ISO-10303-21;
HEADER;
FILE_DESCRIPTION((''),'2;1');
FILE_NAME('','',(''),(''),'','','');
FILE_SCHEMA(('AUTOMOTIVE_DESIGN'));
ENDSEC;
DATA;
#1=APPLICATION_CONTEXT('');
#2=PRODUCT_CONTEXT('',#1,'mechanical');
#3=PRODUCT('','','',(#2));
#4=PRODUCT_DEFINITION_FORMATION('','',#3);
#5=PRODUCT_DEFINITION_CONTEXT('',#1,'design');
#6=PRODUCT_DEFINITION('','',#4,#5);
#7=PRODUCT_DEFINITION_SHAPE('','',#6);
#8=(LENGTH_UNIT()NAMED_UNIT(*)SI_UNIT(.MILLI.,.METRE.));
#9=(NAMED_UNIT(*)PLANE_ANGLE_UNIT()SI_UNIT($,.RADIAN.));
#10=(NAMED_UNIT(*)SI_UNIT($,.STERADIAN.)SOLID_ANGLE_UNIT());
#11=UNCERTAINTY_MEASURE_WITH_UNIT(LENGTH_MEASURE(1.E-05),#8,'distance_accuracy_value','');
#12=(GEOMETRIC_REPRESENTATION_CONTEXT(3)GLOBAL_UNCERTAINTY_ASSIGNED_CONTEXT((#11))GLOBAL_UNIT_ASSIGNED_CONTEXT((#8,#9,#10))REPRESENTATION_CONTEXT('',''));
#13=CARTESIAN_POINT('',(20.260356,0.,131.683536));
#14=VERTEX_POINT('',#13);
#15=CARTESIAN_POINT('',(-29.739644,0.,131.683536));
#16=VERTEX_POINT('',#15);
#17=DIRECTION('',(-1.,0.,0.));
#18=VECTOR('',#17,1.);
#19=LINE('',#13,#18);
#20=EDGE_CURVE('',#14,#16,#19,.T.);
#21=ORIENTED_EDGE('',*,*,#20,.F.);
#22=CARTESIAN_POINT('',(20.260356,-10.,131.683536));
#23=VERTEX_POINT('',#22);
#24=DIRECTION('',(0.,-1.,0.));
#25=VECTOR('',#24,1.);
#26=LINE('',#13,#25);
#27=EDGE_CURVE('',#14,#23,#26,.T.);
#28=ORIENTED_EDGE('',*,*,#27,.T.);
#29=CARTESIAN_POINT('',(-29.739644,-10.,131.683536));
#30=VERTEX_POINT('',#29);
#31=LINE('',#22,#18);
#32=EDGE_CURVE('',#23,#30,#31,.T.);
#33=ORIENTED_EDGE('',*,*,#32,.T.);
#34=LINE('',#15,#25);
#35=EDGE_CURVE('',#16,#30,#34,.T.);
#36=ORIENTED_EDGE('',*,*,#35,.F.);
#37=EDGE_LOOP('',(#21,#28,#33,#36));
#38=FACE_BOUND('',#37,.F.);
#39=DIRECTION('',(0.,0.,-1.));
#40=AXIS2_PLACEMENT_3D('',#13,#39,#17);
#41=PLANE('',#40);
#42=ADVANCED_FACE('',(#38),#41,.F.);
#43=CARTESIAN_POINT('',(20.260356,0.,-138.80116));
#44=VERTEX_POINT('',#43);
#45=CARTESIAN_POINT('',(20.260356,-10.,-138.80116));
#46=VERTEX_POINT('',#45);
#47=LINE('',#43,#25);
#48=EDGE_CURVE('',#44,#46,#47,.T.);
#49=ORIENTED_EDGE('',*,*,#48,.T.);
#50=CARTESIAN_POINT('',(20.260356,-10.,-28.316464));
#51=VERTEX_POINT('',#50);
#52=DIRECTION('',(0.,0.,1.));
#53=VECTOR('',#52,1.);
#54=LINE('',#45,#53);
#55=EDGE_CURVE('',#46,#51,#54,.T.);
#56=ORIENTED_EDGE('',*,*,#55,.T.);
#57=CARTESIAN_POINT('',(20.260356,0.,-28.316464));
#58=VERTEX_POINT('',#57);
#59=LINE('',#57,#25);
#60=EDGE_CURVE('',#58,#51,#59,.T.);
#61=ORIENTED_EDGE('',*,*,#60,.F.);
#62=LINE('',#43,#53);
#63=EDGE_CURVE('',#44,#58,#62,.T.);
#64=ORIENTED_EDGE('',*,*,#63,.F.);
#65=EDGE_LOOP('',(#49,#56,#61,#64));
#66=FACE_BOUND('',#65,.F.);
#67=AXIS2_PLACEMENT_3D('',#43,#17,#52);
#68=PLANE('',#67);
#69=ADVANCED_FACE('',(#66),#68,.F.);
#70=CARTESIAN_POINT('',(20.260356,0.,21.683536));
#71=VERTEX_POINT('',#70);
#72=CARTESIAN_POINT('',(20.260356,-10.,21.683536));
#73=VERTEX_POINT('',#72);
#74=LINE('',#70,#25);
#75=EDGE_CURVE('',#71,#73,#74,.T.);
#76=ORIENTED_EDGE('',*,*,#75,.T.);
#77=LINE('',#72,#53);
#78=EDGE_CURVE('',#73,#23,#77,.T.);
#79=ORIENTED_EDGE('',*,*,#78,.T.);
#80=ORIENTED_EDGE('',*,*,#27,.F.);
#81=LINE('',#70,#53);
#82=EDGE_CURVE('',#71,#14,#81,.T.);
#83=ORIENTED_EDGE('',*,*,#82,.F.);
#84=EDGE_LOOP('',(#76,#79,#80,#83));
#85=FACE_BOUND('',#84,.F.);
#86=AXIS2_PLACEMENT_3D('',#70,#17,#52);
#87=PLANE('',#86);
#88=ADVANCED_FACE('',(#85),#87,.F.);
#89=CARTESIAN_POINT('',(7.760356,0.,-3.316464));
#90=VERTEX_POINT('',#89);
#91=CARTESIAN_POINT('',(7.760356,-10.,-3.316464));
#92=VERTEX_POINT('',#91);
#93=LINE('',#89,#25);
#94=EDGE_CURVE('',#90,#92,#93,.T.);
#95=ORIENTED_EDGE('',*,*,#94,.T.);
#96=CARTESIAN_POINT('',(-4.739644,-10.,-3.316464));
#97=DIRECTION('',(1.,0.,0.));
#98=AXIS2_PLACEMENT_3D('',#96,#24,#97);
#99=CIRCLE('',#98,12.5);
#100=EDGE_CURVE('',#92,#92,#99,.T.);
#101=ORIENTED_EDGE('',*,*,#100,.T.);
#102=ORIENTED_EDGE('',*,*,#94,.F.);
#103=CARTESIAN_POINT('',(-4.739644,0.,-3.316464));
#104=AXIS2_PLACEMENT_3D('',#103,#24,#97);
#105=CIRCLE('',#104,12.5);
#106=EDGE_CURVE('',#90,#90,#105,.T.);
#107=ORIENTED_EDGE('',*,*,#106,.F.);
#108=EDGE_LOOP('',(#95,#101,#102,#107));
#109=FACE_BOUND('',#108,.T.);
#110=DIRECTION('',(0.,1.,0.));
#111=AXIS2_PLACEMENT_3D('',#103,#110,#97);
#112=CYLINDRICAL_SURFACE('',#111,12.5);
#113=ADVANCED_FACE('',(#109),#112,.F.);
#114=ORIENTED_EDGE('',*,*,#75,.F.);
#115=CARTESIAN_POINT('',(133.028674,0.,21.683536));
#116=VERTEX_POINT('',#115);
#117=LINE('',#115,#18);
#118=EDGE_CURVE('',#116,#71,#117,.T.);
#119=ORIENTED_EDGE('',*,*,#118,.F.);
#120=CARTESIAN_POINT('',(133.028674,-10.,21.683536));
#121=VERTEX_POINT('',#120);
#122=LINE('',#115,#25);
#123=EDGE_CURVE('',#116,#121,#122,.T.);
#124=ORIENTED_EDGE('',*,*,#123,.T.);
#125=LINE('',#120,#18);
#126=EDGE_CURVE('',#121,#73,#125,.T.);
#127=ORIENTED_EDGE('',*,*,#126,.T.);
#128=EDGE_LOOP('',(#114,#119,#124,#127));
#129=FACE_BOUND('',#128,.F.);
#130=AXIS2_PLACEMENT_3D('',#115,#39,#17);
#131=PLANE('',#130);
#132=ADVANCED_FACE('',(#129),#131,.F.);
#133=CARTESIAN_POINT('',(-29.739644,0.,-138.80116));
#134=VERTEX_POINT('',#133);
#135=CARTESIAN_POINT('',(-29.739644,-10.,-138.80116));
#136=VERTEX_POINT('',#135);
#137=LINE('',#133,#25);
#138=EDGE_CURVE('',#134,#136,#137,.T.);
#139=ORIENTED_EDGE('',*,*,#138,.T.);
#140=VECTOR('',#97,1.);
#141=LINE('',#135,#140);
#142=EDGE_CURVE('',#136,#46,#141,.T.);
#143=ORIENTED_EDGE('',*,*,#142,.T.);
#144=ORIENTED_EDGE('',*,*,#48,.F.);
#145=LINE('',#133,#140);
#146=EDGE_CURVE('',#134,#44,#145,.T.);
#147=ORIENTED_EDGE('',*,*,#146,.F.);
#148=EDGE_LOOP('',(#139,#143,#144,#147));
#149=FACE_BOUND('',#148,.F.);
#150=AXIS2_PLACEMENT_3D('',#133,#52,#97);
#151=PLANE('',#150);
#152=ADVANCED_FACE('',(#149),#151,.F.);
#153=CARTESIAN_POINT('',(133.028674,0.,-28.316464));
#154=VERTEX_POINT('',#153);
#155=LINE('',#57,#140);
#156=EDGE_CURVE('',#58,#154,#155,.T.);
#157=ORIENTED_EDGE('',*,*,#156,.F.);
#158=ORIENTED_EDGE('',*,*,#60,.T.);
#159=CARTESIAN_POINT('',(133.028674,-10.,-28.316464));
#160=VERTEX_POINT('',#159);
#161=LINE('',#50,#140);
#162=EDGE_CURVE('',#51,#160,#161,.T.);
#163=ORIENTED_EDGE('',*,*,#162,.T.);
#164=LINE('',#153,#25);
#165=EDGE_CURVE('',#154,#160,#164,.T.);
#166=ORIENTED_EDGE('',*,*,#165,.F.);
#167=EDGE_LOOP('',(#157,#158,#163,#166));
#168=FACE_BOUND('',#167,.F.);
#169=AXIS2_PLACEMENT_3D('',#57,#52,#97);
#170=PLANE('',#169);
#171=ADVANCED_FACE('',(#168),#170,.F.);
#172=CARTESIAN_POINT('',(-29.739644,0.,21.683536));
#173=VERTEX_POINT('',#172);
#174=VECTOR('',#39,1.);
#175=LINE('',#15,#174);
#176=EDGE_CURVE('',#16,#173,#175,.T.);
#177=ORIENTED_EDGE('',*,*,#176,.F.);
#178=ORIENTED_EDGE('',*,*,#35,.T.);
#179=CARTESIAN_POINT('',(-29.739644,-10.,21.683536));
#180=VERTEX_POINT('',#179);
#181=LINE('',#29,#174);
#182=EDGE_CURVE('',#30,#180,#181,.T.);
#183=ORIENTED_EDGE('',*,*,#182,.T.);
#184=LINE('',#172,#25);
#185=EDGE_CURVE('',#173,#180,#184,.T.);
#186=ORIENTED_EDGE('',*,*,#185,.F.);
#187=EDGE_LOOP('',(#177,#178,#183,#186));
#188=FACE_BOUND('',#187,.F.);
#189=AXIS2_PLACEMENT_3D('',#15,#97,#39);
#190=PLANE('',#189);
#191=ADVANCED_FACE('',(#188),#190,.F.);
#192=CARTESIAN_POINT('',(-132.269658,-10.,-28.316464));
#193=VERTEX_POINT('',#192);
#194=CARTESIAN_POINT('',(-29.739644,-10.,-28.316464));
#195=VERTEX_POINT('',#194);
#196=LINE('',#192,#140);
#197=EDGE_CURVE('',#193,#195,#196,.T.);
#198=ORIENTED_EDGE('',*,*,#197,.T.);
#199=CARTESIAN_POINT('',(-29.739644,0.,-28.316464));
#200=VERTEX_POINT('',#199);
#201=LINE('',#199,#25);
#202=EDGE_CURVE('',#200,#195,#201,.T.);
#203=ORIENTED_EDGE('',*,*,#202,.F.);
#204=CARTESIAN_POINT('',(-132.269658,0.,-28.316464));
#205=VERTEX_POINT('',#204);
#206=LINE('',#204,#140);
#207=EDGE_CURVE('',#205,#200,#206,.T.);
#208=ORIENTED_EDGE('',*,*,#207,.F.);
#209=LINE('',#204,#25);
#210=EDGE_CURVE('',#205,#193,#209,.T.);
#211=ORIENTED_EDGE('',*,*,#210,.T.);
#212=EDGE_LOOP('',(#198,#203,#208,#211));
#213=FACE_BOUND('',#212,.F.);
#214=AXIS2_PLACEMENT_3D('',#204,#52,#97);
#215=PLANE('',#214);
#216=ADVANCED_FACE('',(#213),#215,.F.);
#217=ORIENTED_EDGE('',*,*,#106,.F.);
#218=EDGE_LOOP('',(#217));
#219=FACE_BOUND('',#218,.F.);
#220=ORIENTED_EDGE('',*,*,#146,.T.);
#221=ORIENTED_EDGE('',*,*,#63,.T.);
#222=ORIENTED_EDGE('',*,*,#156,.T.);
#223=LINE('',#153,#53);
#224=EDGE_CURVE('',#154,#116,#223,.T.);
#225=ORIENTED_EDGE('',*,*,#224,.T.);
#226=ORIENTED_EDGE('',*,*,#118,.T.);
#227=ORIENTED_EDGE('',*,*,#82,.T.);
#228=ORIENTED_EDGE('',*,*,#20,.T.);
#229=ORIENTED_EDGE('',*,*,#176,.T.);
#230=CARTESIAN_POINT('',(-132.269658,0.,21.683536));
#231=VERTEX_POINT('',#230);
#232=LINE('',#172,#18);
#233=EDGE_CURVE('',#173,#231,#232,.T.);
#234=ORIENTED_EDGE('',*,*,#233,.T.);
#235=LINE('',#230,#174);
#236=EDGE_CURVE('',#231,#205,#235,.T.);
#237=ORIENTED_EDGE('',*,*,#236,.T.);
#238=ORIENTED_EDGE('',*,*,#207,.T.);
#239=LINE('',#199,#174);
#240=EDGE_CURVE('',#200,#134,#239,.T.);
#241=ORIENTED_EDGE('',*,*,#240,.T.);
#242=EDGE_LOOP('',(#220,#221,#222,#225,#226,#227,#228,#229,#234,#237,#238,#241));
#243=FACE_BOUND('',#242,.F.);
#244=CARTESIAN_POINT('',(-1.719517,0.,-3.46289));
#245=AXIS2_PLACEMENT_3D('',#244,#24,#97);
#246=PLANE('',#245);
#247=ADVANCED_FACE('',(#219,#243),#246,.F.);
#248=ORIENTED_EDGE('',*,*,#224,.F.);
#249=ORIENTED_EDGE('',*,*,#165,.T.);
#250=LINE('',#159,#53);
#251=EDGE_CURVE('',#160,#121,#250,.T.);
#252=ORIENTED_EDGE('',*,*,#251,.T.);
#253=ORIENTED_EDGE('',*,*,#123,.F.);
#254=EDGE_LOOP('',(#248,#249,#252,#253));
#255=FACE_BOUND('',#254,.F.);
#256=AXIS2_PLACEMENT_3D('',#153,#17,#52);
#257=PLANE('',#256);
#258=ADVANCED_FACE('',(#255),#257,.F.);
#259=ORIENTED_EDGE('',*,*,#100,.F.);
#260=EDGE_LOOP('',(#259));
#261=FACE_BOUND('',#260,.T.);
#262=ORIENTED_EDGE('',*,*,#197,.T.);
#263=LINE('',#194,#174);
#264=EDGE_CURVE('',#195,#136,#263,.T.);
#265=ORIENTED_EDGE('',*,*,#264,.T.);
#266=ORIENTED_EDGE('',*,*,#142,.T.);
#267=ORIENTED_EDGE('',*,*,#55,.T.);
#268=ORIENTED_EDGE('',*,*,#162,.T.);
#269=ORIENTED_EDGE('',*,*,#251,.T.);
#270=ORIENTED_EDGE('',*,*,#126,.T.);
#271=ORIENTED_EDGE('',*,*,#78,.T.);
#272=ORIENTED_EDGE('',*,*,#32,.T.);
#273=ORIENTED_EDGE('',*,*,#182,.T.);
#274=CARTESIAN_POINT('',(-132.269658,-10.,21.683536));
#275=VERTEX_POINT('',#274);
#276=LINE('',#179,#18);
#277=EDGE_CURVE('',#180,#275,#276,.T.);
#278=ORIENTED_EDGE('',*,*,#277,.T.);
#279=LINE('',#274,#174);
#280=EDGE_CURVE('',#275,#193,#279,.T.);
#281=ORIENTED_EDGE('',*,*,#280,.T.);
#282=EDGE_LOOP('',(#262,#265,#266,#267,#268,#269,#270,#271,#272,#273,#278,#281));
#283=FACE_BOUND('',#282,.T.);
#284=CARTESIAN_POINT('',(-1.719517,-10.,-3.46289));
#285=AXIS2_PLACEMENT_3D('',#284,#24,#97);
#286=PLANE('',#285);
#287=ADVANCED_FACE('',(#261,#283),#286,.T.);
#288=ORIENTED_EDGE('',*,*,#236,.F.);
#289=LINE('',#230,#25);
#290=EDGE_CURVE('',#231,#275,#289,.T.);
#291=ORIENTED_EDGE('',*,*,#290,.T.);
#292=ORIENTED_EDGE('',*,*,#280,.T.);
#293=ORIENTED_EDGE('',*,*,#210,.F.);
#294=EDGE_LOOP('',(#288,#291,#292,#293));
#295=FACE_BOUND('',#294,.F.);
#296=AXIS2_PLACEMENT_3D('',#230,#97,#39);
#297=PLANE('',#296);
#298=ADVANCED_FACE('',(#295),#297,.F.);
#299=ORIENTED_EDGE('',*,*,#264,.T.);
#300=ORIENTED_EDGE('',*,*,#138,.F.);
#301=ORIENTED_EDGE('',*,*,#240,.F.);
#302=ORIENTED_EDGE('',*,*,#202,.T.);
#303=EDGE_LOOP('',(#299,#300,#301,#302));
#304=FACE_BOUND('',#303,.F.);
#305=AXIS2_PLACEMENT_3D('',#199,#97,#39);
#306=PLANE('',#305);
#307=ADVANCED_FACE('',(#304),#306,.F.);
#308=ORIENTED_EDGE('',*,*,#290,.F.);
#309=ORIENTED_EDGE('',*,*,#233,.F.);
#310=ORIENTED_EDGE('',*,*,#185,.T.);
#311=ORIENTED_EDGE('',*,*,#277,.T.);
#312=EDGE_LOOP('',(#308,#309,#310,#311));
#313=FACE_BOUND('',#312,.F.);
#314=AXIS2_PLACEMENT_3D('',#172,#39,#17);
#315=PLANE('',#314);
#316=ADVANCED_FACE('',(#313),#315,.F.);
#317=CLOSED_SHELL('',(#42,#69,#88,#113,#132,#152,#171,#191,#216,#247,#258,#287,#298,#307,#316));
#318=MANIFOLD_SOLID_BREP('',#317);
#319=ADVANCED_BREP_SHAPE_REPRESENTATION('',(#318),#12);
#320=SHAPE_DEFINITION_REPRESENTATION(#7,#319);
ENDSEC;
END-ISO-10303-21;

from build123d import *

# Parameters (mm, degrees)
F0_R     = 12.5
F1_DEPTH = 10


with BuildPart() as f1:
    # F0 (on Front) → F1 (new body)
    with BuildSketch(Plane.XZ):
        with BuildLine():
            Line((20.260356, 131.683536), (-29.739644, 131.683536))
            Line((-29.739644, 131.683536), (-29.739644, 21.683536))
            Line((-29.739644, 21.683536), (-132.202011, 21.683536))
            ThreePointArc((-132.202011, 21.683536), (-132.236004, 21.471069), (-132.269658, 21.258549))
            Line((-132.269658, 21.258549), (-132.269658, -28.316464))
            Line((-132.269658, -28.316464), (-29.739644, -28.316464))
            Line((-29.739644, -28.316464), (-29.739644, -138.80116))
            Line((-29.739644, -138.80116), (20.260356, -138.80116))
            Line((20.260356, -138.80116), (20.260356, -28.316464))
            Line((20.260356, -28.316464), (133.028674, -28.316464))
            Line((133.028674, -28.316464), (133.028674, 21.683536))
            Line((133.028674, 21.683536), (20.260356, 21.683536))
            Line((20.260356, 21.683536), (20.260356, 131.683536))
        make_face()
        with Locations((-4.739644, -3.316464)):
            Circle(F0_R, mode=Mode.SUBTRACT)
        with BuildLine():
            ThreePointArc((-132.269658, 21.258549), (-132.236004, 21.471069), (-132.202011, 21.683536))
            Line((-132.202011, 21.683536), (-132.269658, 21.683536))
            Line((-132.269658, 21.683536), (-132.269658, 21.258549))
        make_face()
    extrude(amount=F1_DEPTH)


solid = f1.part
